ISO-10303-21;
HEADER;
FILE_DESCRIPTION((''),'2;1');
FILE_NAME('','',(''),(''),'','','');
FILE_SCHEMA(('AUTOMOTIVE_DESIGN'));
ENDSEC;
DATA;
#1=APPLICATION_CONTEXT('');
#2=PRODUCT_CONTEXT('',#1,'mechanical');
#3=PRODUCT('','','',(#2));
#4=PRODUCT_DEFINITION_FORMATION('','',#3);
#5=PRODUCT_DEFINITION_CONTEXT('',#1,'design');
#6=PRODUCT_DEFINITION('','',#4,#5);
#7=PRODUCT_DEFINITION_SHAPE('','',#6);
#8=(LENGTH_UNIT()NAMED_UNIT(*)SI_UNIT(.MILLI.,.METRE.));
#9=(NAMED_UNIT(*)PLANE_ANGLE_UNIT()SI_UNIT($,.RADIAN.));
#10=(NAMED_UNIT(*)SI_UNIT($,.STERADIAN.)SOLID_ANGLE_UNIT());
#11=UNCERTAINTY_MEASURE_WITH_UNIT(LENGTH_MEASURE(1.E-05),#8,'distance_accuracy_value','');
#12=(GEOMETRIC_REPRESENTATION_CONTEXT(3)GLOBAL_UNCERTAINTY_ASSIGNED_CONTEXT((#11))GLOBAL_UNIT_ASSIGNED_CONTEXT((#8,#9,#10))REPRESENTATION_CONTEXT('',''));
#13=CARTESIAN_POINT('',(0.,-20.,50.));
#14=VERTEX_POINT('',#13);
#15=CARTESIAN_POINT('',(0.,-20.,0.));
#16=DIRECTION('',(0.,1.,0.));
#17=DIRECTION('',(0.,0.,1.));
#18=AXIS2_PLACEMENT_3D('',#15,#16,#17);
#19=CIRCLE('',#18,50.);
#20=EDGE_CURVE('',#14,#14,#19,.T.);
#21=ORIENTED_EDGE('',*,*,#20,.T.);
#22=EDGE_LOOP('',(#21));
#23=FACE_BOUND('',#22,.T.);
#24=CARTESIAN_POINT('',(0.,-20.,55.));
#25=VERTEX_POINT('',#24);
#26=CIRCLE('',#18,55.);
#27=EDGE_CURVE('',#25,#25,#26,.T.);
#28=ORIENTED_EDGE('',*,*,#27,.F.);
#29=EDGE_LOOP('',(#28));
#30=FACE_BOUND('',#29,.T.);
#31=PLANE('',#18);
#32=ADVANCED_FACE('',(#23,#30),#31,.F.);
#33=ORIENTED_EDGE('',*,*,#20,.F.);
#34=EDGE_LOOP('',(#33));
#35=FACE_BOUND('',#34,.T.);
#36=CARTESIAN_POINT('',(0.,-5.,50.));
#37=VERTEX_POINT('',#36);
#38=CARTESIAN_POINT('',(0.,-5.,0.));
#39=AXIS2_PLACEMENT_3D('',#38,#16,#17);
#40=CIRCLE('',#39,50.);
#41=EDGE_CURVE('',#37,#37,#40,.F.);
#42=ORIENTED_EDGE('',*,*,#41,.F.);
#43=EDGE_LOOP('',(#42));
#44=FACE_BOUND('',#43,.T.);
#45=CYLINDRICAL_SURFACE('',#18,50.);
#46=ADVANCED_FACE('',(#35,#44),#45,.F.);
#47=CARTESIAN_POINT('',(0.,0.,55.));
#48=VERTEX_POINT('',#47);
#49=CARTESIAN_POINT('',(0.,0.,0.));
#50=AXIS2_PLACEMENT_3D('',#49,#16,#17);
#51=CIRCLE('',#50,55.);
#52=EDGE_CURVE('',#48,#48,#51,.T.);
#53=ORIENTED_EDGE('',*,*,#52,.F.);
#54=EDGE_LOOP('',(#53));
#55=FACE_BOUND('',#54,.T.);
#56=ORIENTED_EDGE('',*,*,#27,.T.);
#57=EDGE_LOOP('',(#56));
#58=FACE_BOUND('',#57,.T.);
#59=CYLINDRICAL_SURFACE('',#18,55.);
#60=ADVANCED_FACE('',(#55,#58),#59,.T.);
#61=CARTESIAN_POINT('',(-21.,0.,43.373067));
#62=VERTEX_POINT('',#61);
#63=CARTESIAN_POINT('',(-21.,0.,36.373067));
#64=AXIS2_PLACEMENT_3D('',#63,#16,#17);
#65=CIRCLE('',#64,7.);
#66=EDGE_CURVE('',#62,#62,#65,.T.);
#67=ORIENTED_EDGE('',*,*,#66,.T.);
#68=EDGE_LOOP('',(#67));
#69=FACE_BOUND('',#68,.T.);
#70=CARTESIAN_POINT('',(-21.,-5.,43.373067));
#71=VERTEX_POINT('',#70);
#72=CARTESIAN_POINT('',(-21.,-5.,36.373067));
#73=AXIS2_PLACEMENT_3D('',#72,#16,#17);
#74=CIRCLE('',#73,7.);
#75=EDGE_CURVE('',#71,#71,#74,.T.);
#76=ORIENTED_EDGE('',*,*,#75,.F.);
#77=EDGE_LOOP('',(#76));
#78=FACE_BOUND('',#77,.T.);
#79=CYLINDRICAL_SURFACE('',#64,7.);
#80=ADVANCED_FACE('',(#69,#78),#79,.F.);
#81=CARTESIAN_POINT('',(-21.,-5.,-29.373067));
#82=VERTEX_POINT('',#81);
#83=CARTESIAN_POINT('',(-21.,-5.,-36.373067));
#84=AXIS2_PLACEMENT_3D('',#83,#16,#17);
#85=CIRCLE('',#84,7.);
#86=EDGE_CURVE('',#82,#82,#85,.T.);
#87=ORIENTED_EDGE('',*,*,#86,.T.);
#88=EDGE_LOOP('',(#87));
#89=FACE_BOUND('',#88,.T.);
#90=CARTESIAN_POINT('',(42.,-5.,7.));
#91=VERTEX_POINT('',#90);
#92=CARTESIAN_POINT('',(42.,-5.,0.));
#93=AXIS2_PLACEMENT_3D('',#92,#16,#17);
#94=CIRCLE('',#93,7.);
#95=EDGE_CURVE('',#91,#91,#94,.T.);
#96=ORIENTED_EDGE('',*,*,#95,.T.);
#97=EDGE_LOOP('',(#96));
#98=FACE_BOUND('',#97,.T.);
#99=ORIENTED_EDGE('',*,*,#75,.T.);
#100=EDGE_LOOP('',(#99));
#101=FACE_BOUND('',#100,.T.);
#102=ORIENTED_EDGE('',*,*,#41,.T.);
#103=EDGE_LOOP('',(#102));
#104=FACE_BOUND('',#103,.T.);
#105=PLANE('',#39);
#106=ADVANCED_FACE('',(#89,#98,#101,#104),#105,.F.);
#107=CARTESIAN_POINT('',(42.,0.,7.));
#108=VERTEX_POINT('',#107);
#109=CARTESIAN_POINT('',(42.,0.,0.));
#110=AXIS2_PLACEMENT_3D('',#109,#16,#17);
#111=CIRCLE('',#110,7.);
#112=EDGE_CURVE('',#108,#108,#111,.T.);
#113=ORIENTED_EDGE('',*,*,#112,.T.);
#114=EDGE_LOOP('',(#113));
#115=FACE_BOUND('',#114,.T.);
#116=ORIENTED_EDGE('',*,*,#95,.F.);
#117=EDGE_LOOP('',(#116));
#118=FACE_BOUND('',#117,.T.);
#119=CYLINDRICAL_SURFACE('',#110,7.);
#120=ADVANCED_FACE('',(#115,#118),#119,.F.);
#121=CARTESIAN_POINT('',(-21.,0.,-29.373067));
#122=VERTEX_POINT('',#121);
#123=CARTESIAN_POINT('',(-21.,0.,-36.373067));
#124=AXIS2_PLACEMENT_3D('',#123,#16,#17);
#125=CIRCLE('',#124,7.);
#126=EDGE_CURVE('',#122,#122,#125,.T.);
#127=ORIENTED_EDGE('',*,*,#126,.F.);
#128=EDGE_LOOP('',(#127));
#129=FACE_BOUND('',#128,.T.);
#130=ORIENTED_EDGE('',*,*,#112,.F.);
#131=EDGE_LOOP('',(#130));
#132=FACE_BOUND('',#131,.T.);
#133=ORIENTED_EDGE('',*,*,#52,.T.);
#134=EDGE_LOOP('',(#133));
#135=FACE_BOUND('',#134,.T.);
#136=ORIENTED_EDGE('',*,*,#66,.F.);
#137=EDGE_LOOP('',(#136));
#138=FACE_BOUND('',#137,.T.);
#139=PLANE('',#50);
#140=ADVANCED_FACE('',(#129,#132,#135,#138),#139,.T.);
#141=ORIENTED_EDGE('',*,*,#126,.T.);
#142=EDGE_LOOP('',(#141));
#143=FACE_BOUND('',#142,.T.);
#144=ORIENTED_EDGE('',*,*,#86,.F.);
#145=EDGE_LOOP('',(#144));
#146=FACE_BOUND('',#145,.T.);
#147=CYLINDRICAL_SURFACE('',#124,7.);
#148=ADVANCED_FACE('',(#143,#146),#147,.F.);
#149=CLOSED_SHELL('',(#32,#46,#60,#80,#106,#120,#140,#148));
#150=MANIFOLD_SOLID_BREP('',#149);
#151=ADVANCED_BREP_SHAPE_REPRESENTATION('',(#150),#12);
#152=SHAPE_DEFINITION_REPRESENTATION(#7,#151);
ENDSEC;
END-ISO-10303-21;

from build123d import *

# Parameters (mm, degrees)
SKETCH2_R                    = 55
SKETCH2_R_2                  = 50
BOSS_EXTRUDE1_DEPTH          = 20
SKETCH3_R                    = 55
BOSS_EXTRUDE2_DEPTH          = 5
TAP_DRILL_FOR_M14X2_0_TAP1_D = 14
CIRPATTERN1_COUNT            = 3


with BuildPart() as part:
    # Sketch2 → Boss-Extrude1 (new body)
    with BuildSketch(Plane(origin=(0, 0, 0), x_dir=(1, 0, 0), z_dir=(0, 1, 0))):
        Circle(SKETCH2_R)
        Circle(SKETCH2_R_2, mode=Mode.SUBTRACT)
    extrude(amount=-BOSS_EXTRUDE1_DEPTH)

    # Sketch3 → Boss-Extrude2 (add)
    with BuildSketch(Plane(origin=(0, 0, 0), x_dir=(1, 0, 0), z_dir=(0, 1, 0))):
        Circle(SKETCH3_R)
    extrude(amount=-BOSS_EXTRUDE2_DEPTH)

    # Tap Drill for M14x2.0 Tap1 (through all)
    with Locations(Plane(origin=(0, 0, 0), x_dir=(1, 0, 0), z_dir=(0, 1, 0))):
        with Locations((42, 0)):
            tap_drill_for_m14x2_0_tap1 = Hole(TAP_DRILL_FOR_M14X2_0_TAP1_D / 2)

    # CirPattern1: Tap Drill for M14x2.0 Tap1 ×3 about axis
    cirpattern1_axis = Axis((0, -21, 0), (0, 1, 0))
    for i in range(1, CIRPATTERN1_COUNT):
        add(tap_drill_for_m14x2_0_tap1.rotate(cirpattern1_axis, i * 360 / CIRPATTERN1_COUNT), mode=Mode.SUBTRACT)


solid = part.part
